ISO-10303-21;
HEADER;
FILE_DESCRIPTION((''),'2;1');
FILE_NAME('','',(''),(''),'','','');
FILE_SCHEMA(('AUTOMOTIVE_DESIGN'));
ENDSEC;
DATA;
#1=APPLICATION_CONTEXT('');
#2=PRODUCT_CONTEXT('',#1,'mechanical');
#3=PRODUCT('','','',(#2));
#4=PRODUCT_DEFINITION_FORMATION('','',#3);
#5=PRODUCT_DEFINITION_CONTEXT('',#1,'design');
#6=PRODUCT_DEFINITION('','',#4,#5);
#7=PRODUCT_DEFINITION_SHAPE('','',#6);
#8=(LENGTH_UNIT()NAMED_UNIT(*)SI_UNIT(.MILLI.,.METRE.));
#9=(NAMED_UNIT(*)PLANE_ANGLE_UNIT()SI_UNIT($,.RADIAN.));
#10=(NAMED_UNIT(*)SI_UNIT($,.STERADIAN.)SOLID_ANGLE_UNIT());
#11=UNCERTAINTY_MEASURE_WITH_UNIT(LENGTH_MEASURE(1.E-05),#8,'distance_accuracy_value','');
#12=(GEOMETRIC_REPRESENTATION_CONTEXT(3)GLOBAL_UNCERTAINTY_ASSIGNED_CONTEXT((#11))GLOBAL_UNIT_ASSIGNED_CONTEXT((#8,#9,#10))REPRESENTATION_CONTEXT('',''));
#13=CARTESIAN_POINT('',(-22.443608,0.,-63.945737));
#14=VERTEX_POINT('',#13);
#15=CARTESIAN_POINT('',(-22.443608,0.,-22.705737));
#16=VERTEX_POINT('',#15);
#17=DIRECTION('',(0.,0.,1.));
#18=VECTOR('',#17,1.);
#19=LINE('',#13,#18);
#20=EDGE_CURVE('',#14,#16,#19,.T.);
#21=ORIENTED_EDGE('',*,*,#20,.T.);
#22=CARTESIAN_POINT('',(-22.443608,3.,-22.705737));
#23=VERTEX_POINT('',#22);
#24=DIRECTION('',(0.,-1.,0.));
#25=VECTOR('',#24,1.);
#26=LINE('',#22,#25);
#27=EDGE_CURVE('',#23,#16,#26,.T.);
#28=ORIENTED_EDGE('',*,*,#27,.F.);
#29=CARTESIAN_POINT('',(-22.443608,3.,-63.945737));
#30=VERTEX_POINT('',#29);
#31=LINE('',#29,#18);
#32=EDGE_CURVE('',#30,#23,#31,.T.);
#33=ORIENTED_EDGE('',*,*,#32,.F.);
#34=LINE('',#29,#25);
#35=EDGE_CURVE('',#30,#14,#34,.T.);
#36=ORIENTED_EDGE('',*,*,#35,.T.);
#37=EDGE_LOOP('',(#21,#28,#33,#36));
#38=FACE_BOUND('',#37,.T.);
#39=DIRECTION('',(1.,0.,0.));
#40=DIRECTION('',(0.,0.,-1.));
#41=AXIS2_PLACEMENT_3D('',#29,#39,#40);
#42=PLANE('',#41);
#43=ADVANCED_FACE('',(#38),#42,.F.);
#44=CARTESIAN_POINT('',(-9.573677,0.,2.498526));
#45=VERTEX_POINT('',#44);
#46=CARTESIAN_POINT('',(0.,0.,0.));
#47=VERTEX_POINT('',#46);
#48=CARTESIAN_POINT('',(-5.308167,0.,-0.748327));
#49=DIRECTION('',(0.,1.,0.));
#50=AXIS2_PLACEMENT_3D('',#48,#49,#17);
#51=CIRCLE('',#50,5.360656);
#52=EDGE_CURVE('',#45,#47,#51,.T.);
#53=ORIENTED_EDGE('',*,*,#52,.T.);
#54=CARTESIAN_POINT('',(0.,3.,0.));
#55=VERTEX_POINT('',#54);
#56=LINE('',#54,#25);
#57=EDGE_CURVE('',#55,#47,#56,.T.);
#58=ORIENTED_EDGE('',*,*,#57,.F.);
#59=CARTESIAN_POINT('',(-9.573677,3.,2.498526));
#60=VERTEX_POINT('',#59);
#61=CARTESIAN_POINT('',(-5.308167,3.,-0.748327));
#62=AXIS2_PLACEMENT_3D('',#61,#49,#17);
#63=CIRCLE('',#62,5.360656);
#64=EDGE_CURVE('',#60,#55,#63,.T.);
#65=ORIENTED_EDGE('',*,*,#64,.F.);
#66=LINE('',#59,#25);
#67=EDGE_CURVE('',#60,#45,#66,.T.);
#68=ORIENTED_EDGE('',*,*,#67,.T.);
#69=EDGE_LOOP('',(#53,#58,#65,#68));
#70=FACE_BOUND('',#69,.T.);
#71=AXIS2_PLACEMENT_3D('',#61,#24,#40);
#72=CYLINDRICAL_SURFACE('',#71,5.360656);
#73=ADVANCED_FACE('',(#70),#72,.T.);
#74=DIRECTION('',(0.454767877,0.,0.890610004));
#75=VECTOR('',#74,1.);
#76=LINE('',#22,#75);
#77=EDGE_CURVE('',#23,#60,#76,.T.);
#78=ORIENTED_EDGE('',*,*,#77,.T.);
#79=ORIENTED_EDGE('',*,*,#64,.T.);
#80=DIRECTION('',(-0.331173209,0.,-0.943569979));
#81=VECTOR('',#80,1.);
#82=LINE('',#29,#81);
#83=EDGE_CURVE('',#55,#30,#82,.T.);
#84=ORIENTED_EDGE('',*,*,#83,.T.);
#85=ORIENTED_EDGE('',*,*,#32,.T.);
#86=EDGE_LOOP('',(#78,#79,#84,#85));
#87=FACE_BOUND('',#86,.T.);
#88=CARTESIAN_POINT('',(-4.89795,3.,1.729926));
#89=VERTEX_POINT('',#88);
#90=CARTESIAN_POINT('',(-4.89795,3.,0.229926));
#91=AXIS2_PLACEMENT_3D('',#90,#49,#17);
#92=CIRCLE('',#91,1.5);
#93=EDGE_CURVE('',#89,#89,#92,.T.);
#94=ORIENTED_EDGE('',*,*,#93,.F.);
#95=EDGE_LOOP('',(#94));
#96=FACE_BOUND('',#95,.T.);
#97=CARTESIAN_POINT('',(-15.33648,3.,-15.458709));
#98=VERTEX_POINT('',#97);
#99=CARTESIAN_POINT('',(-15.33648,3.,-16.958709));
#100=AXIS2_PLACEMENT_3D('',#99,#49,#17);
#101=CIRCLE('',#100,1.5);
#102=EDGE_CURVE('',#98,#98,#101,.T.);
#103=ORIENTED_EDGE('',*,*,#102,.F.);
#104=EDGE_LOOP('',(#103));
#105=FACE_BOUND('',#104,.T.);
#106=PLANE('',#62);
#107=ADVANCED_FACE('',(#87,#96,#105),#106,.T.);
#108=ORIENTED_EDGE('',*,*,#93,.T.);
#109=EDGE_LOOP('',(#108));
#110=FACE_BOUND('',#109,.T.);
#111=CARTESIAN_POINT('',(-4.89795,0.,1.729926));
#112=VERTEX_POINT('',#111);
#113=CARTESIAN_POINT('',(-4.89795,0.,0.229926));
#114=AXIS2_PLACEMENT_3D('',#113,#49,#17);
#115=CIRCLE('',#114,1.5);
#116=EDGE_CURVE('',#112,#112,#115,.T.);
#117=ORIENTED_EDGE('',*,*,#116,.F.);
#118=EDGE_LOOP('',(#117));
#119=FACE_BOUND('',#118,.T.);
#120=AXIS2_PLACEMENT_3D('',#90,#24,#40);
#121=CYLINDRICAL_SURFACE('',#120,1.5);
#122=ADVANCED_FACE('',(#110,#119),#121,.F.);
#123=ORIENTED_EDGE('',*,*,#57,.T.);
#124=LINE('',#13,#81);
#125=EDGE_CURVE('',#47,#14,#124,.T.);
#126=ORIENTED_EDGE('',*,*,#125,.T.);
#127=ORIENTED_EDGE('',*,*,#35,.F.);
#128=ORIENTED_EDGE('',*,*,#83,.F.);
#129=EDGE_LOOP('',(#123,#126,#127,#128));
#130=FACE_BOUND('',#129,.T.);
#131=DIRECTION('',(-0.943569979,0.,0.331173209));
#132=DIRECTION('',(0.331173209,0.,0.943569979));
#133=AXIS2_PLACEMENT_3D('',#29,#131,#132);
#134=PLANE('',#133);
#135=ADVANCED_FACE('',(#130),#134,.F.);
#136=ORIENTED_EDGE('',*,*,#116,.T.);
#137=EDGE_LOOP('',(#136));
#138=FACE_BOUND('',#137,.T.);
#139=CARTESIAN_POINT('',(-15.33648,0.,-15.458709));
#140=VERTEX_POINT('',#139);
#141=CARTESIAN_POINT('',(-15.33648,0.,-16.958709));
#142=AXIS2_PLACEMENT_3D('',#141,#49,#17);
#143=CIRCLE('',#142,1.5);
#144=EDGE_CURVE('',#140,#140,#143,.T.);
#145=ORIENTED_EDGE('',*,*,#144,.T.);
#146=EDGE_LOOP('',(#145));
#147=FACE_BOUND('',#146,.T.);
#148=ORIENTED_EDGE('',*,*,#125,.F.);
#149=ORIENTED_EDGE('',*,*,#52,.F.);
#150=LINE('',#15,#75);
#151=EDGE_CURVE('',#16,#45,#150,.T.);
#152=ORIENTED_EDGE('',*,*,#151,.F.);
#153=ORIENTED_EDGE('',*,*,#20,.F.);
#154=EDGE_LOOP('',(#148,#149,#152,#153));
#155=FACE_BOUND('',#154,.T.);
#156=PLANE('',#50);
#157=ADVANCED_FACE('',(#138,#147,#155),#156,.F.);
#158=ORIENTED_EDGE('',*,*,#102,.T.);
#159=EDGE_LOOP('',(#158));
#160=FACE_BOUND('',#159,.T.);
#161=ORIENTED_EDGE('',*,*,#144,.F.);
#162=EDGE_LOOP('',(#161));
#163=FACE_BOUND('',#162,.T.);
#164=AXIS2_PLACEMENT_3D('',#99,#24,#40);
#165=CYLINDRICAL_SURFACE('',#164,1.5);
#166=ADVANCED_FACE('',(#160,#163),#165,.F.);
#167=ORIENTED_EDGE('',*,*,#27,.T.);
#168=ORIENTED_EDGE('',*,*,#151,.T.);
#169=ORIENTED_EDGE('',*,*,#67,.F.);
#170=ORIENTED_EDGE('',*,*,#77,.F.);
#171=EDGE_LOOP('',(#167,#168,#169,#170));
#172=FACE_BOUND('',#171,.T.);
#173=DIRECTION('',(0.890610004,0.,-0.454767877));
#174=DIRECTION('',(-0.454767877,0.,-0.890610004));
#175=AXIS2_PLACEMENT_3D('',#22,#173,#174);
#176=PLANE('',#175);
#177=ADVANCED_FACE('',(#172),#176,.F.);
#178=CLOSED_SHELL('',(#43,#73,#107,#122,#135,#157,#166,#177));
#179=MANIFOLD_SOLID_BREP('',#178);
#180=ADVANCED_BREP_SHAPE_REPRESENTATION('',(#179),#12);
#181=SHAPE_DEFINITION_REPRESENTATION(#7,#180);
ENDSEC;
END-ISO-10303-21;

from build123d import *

# Parameters (mm, degrees)
SKETCH1_R           = 1.5
BOSS_EXTRUDE1_DEPTH = 3


with BuildPart() as part:
    # Sketch1 → Boss-Extrude1 (new body)
    with BuildSketch(Plane(origin=(0, 0, 0), x_dir=(1, 0, 0), z_dir=(0, 1, 0))):
        with BuildLine():
            Line((-22.443608406, 63.945737479), (-22.443608406, 22.705737479))
            Line((-22.443608406, 22.705737479), (-9.573677497, -2.498525621))
            ThreePointArc((-9.573677497, -2.498525621), (-3.954490329, -4.438597859), (0, 0))
            Line((0, 0), (-22.443608406, 63.945737479))
        make_face()
        with Locations(Location((-15.336480405, 16.958709415, 0), (0, 0, 270))):
            Circle(SKETCH1_R, mode=Mode.SUBTRACT)
        with Locations(Location((-4.897949582, -0.229925617, 0), (0, 0, 270))):
            Circle(SKETCH1_R, mode=Mode.SUBTRACT)
    extrude(amount=BOSS_EXTRUDE1_DEPTH)


solid = part.part
